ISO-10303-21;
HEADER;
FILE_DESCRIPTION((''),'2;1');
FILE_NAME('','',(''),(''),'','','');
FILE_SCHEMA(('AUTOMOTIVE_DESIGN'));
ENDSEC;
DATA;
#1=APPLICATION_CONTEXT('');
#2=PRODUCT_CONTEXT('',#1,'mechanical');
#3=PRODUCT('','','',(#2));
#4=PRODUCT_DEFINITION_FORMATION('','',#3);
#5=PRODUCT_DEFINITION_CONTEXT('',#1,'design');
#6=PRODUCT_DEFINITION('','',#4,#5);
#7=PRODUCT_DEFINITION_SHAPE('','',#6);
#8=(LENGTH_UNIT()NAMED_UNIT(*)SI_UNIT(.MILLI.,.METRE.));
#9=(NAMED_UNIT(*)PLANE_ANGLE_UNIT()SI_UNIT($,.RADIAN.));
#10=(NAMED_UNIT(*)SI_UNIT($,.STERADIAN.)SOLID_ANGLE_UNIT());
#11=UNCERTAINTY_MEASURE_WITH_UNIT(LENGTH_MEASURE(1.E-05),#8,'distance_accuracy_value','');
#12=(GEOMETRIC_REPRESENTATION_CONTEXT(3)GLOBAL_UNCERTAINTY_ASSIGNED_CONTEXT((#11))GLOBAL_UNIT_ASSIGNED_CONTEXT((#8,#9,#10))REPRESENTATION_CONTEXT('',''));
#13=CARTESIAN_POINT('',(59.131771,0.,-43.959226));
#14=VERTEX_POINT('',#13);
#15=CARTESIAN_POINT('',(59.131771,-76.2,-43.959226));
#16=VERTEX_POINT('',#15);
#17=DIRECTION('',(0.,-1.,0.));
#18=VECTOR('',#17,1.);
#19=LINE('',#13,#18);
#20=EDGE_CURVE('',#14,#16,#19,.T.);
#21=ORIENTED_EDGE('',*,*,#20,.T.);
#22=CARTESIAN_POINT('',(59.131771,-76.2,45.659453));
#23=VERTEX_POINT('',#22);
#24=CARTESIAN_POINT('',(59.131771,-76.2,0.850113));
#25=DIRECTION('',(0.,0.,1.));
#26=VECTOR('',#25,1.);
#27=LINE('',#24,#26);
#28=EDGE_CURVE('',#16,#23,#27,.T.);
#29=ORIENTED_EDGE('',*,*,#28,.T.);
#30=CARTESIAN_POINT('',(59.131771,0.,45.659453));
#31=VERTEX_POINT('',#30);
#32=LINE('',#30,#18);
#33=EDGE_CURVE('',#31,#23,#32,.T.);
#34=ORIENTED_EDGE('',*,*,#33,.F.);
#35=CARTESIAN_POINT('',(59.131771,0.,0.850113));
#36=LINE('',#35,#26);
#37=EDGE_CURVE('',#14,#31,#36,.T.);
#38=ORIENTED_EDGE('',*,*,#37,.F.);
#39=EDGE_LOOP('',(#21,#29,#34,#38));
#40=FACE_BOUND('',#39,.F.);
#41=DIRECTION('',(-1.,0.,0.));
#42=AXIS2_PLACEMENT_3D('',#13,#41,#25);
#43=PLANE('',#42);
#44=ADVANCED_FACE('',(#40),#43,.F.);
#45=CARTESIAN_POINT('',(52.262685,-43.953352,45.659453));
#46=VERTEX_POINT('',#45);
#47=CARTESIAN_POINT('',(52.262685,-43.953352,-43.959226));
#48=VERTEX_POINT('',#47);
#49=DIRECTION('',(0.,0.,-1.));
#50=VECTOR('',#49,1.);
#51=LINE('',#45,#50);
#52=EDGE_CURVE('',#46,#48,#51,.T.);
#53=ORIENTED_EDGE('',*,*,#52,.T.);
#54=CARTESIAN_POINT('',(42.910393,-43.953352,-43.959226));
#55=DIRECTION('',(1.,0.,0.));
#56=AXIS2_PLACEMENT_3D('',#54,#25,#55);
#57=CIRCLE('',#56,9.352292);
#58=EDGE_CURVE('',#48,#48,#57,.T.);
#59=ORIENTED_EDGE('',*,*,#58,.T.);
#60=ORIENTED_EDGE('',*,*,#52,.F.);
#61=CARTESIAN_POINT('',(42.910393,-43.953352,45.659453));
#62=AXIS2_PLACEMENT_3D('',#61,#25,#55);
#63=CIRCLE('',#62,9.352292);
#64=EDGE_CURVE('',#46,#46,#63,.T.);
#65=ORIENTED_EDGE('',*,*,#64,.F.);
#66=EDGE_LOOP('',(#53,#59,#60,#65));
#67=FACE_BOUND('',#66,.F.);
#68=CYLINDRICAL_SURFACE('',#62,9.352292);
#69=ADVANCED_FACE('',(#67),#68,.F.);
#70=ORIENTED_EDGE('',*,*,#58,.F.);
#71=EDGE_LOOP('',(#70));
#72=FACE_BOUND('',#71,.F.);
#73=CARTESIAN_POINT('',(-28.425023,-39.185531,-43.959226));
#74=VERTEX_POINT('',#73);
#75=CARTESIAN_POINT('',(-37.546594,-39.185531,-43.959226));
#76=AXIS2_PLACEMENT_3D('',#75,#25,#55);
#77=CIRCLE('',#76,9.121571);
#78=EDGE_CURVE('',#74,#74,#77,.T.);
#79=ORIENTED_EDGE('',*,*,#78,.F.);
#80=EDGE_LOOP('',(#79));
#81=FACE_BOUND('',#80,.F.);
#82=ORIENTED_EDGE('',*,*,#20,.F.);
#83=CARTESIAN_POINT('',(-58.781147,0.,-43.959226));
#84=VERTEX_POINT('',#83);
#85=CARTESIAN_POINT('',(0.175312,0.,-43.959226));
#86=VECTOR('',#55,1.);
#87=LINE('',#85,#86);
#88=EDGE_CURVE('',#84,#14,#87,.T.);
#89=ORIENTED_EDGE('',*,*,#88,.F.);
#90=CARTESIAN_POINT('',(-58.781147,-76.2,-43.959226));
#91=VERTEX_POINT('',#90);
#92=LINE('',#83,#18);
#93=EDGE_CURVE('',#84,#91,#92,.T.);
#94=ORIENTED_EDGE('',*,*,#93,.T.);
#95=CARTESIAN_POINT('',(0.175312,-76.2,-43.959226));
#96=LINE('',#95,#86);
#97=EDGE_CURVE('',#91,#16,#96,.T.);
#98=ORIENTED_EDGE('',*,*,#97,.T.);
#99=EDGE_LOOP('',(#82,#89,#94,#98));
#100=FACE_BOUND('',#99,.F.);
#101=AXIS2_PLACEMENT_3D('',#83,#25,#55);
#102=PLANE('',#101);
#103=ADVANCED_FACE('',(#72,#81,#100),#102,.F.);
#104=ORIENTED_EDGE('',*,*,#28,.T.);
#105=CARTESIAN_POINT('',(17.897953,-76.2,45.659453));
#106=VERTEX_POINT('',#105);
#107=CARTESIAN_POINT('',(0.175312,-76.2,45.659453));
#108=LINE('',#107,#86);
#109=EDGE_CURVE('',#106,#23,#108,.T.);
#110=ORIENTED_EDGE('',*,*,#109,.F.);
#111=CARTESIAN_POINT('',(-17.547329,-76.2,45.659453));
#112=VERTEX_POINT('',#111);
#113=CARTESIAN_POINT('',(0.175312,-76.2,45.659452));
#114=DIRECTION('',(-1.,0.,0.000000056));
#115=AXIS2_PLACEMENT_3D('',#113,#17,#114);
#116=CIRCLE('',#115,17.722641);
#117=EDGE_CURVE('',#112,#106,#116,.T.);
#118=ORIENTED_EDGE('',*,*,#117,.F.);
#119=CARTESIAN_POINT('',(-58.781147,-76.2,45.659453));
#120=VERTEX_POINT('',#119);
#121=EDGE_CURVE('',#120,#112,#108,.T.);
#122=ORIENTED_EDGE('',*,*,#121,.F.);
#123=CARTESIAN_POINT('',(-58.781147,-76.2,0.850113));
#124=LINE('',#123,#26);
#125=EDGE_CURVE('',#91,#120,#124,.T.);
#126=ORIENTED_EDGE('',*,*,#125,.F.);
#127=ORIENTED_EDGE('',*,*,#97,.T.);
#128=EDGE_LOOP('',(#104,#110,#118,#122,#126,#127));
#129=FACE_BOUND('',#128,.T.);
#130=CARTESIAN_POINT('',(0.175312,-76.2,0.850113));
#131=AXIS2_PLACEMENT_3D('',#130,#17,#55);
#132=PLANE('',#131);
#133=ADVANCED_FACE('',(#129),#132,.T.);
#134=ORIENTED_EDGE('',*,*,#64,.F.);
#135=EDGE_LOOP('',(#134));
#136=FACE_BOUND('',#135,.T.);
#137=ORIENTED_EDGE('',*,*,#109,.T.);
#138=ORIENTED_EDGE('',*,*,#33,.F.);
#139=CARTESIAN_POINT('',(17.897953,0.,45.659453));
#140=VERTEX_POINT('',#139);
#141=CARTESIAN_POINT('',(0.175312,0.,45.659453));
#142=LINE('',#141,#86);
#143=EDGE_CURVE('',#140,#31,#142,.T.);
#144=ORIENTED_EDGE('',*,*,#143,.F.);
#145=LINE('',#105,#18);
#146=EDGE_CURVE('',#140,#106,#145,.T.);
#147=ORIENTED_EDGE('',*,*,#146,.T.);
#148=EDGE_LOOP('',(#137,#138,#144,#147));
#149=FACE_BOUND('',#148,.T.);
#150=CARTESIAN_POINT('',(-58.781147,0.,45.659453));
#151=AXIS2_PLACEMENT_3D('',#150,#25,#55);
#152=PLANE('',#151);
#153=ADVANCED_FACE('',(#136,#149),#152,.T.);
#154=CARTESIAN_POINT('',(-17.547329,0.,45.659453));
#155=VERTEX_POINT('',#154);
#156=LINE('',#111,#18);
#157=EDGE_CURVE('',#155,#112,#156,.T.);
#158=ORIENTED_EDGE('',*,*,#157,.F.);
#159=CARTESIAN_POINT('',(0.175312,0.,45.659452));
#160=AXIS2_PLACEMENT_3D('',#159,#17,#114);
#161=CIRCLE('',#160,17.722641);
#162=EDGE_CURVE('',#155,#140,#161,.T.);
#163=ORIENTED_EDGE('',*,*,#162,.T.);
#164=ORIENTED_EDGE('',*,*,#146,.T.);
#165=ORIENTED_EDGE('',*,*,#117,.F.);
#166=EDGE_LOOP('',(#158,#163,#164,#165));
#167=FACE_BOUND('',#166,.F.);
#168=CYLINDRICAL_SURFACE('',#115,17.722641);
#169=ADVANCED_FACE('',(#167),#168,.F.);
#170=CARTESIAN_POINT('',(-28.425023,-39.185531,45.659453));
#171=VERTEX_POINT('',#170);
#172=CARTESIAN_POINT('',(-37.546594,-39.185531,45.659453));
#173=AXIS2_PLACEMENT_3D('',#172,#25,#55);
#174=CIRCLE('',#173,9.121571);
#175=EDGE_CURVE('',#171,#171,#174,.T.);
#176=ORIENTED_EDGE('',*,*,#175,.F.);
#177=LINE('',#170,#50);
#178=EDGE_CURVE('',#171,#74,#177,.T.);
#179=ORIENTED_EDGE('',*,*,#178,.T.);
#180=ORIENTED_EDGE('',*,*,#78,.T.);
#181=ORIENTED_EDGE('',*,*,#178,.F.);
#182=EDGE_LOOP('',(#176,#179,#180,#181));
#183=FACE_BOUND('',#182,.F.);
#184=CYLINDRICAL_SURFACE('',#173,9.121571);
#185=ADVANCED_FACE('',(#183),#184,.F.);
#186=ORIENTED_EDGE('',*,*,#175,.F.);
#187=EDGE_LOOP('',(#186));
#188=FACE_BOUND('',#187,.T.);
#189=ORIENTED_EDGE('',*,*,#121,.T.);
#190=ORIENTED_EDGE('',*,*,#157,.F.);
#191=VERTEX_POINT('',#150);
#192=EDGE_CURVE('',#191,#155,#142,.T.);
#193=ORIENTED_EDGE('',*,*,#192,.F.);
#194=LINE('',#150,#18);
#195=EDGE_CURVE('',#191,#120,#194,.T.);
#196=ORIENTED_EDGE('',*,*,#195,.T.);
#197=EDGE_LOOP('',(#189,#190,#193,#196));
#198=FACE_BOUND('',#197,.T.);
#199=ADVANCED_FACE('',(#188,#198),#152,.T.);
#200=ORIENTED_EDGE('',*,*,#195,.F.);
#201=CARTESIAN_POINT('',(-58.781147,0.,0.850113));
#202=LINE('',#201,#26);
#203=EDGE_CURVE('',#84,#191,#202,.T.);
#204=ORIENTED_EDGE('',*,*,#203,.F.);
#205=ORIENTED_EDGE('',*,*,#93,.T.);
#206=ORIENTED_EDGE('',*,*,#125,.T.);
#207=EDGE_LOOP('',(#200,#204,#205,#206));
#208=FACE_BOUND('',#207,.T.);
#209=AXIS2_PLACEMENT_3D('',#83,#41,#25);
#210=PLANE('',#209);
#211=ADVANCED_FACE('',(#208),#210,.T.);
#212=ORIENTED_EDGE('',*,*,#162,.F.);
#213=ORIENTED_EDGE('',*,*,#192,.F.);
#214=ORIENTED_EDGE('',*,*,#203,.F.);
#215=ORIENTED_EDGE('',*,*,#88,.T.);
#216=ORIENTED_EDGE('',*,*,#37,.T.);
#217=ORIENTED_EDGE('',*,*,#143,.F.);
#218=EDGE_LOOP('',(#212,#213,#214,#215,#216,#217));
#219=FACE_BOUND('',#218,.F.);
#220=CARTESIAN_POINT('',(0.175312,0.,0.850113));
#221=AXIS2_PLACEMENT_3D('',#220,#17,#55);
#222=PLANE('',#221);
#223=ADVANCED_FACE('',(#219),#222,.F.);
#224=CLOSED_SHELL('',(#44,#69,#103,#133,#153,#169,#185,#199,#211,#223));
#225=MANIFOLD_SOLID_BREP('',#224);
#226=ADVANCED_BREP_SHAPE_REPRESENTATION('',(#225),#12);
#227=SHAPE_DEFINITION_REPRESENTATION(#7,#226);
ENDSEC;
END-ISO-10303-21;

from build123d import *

# Parameters (mm, degrees)
F0_W     = 117.912918
F0_H     = 89.618679
F1_DEPTH = 76.2
F2_R     = 9.121571
F4_DEPTH = 89.619679
F3_R     = 9.352292
F5_DEPTH = 89.619679
F7_DEPTH = 76.201


with BuildPart() as f1:
    # F0 (on Front) → F1 (new body)
    with BuildSketch(Plane.XZ):
        with Locations((0.175312, 0.850113)):
            Rectangle(F0_W, F0_H)
    extrude(amount=F1_DEPTH)

    # F2 (on face) → F4 (cut, through all)
    with BuildSketch(Plane.XY.offset(45.659453)):
        with Locations((-37.546594, -39.185531)):
            Circle(F2_R)
    extrude(amount=-F4_DEPTH, mode=Mode.SUBTRACT)

    # F3 (on face) → F5 (cut, through all)
    with BuildSketch(Plane.XY.offset(45.659453)):
        with Locations((42.910393, -43.953352)):
            Circle(F3_R)
    extrude(amount=-F5_DEPTH, mode=Mode.SUBTRACT)

    # F6 (on face) → F7 (cut, through all)
    with BuildSketch(Plane.XZ.offset(76.2)):
        with BuildLine():
            ThreePointArc((-17.547329, 45.659453), (0.175312, 27.936811), (17.897953, 45.659453))
            Line((17.897953, 45.659453), (-17.547329, 45.659453))
        make_face()
    extrude(amount=-F7_DEPTH, mode=Mode.SUBTRACT)


solid = f1.part
